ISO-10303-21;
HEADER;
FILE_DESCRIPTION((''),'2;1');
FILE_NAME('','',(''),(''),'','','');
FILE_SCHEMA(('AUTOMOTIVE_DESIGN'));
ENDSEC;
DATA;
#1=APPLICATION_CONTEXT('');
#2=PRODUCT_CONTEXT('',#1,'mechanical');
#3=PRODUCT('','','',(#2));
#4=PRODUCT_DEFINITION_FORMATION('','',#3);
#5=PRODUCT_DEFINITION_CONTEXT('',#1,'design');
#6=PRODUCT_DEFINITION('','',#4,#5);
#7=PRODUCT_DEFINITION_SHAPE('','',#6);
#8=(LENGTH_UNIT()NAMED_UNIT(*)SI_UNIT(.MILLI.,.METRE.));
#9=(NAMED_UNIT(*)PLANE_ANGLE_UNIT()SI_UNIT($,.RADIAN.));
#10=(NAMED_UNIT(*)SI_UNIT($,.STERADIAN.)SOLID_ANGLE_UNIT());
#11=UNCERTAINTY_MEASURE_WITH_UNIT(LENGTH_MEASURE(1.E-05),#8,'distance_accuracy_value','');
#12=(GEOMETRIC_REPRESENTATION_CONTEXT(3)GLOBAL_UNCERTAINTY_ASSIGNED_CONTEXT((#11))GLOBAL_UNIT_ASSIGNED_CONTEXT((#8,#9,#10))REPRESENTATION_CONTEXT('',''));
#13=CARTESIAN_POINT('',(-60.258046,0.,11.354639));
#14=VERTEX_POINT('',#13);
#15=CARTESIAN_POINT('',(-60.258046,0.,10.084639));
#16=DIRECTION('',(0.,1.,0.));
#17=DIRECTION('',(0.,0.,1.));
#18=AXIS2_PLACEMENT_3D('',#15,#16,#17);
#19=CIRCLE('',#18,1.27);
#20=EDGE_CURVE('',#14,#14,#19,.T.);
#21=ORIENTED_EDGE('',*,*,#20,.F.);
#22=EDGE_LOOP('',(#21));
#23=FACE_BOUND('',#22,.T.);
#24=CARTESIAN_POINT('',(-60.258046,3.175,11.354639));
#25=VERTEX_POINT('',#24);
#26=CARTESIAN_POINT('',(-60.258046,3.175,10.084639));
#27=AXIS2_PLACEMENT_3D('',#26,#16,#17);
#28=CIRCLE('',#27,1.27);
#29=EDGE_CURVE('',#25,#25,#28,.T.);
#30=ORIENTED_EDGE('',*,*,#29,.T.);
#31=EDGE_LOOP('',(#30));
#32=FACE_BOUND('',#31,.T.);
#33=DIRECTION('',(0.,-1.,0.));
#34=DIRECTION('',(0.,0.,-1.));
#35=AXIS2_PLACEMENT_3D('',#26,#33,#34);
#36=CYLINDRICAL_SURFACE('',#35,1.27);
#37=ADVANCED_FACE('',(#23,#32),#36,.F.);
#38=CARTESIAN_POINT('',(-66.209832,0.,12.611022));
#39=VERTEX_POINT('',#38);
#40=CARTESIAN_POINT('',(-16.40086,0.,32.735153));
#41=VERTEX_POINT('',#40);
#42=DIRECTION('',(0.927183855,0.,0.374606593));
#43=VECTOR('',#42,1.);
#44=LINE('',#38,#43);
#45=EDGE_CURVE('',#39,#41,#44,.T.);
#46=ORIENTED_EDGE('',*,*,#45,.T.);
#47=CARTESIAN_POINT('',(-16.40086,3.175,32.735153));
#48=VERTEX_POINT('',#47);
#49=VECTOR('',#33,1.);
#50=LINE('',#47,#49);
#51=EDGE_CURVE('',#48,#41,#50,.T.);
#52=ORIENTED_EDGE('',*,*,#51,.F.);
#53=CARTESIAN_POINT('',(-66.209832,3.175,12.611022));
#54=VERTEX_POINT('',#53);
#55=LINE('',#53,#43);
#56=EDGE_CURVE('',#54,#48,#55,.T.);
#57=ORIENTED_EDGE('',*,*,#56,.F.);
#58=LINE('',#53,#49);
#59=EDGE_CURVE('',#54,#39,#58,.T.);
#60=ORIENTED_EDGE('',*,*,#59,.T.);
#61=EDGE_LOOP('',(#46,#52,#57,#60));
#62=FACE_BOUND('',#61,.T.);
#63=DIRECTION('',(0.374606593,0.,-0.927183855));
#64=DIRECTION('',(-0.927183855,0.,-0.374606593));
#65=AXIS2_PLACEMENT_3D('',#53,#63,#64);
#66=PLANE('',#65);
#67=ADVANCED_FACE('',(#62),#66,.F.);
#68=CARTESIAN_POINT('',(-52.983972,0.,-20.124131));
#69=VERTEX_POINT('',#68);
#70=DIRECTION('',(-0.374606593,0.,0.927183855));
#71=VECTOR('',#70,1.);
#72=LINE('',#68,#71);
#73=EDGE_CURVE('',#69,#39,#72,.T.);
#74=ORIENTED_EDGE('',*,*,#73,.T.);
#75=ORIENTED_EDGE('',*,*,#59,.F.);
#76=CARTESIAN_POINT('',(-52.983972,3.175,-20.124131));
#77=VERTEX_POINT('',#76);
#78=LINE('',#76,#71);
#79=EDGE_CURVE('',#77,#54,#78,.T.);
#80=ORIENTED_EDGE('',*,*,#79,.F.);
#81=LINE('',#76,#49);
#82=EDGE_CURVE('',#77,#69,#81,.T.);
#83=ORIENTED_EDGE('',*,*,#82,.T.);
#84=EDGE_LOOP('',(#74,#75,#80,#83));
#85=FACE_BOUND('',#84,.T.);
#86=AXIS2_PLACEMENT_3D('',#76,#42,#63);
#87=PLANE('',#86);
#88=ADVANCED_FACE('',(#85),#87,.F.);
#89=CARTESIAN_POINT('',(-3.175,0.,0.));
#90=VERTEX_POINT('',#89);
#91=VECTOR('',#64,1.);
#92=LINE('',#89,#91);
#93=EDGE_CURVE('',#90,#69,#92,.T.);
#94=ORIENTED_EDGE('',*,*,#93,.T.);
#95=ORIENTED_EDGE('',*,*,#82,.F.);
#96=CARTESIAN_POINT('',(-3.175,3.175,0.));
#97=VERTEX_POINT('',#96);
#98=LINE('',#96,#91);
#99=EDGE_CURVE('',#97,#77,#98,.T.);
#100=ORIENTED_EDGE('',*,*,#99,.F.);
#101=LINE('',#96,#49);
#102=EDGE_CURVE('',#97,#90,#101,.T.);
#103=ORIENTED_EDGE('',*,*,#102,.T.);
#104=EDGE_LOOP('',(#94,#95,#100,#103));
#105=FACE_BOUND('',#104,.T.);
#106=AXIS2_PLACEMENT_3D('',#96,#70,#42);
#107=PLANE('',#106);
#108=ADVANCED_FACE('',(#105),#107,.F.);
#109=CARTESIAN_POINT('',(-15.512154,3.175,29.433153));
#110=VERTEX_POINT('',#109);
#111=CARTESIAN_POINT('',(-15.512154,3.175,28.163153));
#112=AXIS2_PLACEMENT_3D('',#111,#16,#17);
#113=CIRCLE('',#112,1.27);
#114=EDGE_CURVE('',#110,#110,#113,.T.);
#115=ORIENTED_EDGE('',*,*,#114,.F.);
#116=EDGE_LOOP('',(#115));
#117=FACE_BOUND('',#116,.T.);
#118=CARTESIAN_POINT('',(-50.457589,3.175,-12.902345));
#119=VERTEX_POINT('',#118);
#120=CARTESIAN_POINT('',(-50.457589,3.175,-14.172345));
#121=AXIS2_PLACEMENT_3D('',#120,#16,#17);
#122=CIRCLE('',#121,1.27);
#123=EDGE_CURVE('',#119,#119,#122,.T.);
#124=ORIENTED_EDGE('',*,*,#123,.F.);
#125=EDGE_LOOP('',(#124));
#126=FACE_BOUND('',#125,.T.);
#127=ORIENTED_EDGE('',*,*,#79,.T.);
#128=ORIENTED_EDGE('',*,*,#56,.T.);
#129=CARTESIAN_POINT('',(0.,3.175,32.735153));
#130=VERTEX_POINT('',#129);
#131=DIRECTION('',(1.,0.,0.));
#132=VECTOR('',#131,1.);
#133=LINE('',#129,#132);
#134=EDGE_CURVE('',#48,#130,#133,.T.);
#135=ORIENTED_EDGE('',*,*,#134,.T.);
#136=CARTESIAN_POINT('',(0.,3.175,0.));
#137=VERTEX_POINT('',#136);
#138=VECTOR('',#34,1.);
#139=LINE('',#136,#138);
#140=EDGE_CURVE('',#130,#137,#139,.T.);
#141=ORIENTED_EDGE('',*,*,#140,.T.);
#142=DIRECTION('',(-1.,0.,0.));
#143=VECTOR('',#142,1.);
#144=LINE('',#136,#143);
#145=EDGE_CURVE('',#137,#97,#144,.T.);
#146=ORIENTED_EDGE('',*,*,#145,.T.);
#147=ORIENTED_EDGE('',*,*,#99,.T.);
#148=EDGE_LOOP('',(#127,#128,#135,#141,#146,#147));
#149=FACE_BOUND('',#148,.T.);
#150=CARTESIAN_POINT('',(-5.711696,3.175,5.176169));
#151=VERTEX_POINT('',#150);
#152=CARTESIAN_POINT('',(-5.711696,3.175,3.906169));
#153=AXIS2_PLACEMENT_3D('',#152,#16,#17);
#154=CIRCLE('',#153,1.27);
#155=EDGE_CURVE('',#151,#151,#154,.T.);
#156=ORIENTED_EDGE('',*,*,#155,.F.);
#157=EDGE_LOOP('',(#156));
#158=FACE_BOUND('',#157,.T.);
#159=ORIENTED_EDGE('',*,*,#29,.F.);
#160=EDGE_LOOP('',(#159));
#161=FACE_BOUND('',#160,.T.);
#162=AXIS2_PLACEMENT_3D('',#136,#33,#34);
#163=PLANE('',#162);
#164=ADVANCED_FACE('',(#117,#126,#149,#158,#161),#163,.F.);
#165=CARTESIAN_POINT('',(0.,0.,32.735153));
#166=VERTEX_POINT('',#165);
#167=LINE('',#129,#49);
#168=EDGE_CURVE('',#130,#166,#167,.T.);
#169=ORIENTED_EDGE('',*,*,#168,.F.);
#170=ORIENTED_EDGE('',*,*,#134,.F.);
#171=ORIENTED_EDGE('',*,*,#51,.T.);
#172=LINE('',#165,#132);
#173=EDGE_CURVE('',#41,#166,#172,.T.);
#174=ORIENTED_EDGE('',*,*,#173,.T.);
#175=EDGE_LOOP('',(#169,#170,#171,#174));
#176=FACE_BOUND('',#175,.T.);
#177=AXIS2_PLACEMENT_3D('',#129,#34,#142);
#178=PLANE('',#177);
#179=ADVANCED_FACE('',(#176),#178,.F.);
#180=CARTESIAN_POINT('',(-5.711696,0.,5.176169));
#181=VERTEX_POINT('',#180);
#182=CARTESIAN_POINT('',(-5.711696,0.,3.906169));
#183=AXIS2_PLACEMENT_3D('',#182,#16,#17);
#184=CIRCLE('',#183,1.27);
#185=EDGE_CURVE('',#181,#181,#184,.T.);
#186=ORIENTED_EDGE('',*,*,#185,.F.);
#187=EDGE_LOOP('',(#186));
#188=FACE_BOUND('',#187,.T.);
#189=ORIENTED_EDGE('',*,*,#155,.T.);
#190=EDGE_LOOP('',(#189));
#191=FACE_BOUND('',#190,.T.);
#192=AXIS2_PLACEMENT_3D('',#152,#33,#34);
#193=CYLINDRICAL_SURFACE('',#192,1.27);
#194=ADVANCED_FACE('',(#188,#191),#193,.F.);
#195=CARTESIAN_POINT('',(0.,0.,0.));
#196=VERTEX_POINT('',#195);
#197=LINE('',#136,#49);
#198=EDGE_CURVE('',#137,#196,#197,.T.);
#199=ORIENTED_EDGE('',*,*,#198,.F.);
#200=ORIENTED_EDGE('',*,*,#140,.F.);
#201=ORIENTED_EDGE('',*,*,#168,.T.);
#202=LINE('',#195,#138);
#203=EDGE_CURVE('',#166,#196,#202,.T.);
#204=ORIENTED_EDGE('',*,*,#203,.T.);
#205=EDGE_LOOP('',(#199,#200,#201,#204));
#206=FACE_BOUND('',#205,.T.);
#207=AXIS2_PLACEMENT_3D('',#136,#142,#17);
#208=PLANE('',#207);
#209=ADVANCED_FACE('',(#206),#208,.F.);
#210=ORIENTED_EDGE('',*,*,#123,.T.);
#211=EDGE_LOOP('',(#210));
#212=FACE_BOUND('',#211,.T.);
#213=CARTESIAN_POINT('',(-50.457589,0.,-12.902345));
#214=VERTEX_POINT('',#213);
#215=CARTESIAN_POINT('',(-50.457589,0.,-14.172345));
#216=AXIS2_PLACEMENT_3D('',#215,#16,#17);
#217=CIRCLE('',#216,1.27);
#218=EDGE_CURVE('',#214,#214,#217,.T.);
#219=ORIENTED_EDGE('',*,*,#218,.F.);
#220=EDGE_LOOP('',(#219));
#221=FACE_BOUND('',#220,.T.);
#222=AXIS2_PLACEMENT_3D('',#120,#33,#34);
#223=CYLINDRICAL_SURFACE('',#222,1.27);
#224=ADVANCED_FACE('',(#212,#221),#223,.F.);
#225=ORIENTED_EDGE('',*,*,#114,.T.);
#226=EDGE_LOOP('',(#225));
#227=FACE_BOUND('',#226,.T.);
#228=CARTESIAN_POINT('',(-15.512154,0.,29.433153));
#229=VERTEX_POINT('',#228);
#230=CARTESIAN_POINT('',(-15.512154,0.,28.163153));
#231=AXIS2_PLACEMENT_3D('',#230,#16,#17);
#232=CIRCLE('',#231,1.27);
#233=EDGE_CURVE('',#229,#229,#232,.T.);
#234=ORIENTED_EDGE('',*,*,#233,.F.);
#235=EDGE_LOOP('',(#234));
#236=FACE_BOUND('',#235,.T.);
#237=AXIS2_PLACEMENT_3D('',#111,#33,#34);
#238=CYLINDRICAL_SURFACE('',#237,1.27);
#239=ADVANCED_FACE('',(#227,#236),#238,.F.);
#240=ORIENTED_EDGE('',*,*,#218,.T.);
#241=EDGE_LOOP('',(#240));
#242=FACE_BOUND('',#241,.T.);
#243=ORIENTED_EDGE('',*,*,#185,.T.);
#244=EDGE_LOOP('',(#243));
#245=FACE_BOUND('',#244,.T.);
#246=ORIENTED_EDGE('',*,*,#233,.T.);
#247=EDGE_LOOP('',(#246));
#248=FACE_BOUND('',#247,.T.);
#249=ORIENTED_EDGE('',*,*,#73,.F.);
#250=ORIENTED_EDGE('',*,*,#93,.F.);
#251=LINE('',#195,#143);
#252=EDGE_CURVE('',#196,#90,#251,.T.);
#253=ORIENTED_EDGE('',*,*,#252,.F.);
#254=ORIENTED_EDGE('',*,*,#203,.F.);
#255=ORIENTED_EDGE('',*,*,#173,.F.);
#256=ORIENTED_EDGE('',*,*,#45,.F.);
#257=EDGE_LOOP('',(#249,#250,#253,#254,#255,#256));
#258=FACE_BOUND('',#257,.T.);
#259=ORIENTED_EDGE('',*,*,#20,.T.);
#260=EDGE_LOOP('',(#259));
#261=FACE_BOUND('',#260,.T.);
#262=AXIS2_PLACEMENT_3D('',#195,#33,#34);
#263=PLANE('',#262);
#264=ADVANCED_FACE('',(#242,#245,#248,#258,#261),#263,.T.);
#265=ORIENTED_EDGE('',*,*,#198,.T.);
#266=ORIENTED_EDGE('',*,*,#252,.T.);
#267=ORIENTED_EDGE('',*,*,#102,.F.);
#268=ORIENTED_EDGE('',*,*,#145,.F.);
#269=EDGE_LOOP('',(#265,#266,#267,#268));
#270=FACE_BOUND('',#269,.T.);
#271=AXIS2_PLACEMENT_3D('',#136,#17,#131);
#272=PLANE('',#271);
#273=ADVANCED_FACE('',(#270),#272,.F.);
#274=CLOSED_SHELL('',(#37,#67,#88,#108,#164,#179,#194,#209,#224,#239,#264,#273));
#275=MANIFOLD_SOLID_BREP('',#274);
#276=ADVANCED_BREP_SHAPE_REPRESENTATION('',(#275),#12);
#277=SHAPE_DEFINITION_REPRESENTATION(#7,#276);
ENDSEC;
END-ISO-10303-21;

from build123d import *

# Parameters (mm, degrees)
SKETCH1_R           = 1.27
BOSS_EXTRUDE1_DEPTH = 3.175


with BuildPart() as part:
    # Sketch1 → Boss-Extrude1 (new body)
    with BuildSketch(Plane(origin=(0, 0, 0), x_dir=(1, 0, 0), z_dir=(0, 1, 0))):
        Polygon((0, 0), (-3.175, 0), (-52.983971976, 20.12413096), (-66.209832363, -12.611022209), (-16.400860387, -32.735153169), (0, -32.735153169), align=None)
        with Locations(Location((-50.457588738, 14.172345032, 0), (0, 0, 270))):
            Circle(SKETCH1_R, mode=Mode.SUBTRACT)
        with Locations(Location((-60.258046435, -10.084638971, 0), (0, 0, 270))):
            Circle(SKETCH1_R, mode=Mode.SUBTRACT)
        with Locations(Location((-15.512153614, -28.163153169, 0), (0, 0, 270))):
            Circle(SKETCH1_R, mode=Mode.SUBTRACT)
        with Locations(Location((-5.711695917, -3.906169166, 0), (0, 0, 270))):
            Circle(SKETCH1_R, mode=Mode.SUBTRACT)
    extrude(amount=BOSS_EXTRUDE1_DEPTH)


solid = part.part
